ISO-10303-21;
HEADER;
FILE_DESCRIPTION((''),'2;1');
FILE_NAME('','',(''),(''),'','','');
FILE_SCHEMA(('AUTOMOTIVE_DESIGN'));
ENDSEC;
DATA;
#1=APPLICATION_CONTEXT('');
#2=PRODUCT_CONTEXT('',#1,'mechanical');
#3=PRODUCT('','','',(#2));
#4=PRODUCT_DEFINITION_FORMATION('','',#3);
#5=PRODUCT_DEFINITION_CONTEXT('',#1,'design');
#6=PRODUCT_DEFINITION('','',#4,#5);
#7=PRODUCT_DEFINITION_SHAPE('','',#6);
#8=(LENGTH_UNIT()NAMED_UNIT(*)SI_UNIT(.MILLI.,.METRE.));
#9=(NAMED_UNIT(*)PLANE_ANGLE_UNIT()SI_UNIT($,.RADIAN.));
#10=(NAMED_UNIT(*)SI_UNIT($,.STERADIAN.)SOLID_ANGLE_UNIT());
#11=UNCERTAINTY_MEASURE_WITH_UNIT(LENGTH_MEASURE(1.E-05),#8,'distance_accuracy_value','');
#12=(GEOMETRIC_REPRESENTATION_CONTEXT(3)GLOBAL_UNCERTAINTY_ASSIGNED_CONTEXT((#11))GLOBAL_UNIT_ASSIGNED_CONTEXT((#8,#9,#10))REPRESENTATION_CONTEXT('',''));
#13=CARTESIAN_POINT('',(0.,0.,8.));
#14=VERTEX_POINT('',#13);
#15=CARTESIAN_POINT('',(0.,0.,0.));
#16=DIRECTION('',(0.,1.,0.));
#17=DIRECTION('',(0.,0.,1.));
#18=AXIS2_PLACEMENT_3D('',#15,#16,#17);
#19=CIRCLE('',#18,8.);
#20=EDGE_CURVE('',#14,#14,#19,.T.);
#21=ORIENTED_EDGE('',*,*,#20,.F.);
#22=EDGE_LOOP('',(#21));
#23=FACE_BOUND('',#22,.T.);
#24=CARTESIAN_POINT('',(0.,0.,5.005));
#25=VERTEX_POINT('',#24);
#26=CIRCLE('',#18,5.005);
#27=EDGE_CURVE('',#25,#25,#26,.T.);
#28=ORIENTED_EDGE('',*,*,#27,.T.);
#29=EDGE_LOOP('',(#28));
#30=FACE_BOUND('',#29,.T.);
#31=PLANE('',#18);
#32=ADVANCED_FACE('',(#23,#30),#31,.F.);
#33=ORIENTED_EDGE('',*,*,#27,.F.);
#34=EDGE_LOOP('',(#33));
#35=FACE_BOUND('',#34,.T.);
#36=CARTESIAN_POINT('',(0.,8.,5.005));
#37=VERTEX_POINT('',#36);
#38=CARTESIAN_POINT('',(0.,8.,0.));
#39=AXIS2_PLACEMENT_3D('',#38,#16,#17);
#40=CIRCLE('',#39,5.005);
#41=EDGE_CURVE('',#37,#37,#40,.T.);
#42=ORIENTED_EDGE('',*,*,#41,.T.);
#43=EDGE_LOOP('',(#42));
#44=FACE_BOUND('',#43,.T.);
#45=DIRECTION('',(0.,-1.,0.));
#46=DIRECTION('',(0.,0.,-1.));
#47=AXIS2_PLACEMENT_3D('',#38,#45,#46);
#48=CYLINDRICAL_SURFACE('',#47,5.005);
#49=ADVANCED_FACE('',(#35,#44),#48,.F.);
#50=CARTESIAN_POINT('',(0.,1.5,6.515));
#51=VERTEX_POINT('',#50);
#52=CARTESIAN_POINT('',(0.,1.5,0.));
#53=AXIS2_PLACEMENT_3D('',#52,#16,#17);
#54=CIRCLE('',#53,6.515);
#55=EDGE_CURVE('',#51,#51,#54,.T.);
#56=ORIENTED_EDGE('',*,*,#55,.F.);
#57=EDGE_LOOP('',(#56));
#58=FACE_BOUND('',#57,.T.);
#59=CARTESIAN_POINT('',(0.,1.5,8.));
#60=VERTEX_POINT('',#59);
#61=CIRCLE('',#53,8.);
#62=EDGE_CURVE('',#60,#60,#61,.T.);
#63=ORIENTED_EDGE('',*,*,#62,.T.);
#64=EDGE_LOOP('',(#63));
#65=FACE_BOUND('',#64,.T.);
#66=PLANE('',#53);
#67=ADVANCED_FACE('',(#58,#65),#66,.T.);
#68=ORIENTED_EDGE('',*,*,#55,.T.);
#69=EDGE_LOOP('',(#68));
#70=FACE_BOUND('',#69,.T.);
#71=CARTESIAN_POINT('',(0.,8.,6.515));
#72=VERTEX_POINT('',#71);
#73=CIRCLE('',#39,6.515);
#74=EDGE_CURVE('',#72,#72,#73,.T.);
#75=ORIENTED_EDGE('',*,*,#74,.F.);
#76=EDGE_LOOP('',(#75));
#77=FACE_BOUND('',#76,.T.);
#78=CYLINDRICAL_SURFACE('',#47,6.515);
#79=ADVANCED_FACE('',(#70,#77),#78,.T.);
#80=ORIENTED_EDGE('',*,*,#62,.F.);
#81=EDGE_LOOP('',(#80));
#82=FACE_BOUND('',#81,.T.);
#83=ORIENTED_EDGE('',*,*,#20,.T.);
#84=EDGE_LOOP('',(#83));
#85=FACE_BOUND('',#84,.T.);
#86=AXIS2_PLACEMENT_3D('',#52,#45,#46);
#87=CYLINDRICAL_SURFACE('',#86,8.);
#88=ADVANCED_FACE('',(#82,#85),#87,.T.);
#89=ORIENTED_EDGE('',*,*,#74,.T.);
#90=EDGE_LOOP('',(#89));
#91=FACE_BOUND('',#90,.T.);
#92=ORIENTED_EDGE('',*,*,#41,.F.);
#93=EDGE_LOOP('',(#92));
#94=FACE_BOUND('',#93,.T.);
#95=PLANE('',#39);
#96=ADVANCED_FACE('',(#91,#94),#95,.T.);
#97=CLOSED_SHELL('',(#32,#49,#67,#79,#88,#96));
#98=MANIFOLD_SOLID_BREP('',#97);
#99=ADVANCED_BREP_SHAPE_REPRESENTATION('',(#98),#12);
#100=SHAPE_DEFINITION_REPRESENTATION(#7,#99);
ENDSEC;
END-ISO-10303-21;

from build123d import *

# Parameters (mm, degrees)
SKETCH2_R           = 6.515
SKETCH2_R_2         = 5.005
BOSS_EXTRUDE1_DEPTH = 8
SKETCH3_R           = 8
SKETCH3_R_2         = 6.515
BOSS_EXTRUDE2_DEPTH = 1.5


with BuildPart() as part:
    # Sketch2 → Boss-Extrude1 (new body)
    with BuildSketch(Plane(origin=(0, 0, 0), x_dir=(1, 0, 0), z_dir=(0, 1, 0))):
        Circle(SKETCH2_R)
        Circle(SKETCH2_R_2, mode=Mode.SUBTRACT)
    extrude(amount=BOSS_EXTRUDE1_DEPTH)

    # Sketch3 → Boss-Extrude2 (add)
    with BuildSketch(Plane(origin=(0, 0, 0), x_dir=(1, 0, 0), z_dir=(0, 1, 0))):
        Circle(SKETCH3_R)
        Circle(SKETCH3_R_2, mode=Mode.SUBTRACT)
    extrude(amount=BOSS_EXTRUDE2_DEPTH)


solid = part.part
